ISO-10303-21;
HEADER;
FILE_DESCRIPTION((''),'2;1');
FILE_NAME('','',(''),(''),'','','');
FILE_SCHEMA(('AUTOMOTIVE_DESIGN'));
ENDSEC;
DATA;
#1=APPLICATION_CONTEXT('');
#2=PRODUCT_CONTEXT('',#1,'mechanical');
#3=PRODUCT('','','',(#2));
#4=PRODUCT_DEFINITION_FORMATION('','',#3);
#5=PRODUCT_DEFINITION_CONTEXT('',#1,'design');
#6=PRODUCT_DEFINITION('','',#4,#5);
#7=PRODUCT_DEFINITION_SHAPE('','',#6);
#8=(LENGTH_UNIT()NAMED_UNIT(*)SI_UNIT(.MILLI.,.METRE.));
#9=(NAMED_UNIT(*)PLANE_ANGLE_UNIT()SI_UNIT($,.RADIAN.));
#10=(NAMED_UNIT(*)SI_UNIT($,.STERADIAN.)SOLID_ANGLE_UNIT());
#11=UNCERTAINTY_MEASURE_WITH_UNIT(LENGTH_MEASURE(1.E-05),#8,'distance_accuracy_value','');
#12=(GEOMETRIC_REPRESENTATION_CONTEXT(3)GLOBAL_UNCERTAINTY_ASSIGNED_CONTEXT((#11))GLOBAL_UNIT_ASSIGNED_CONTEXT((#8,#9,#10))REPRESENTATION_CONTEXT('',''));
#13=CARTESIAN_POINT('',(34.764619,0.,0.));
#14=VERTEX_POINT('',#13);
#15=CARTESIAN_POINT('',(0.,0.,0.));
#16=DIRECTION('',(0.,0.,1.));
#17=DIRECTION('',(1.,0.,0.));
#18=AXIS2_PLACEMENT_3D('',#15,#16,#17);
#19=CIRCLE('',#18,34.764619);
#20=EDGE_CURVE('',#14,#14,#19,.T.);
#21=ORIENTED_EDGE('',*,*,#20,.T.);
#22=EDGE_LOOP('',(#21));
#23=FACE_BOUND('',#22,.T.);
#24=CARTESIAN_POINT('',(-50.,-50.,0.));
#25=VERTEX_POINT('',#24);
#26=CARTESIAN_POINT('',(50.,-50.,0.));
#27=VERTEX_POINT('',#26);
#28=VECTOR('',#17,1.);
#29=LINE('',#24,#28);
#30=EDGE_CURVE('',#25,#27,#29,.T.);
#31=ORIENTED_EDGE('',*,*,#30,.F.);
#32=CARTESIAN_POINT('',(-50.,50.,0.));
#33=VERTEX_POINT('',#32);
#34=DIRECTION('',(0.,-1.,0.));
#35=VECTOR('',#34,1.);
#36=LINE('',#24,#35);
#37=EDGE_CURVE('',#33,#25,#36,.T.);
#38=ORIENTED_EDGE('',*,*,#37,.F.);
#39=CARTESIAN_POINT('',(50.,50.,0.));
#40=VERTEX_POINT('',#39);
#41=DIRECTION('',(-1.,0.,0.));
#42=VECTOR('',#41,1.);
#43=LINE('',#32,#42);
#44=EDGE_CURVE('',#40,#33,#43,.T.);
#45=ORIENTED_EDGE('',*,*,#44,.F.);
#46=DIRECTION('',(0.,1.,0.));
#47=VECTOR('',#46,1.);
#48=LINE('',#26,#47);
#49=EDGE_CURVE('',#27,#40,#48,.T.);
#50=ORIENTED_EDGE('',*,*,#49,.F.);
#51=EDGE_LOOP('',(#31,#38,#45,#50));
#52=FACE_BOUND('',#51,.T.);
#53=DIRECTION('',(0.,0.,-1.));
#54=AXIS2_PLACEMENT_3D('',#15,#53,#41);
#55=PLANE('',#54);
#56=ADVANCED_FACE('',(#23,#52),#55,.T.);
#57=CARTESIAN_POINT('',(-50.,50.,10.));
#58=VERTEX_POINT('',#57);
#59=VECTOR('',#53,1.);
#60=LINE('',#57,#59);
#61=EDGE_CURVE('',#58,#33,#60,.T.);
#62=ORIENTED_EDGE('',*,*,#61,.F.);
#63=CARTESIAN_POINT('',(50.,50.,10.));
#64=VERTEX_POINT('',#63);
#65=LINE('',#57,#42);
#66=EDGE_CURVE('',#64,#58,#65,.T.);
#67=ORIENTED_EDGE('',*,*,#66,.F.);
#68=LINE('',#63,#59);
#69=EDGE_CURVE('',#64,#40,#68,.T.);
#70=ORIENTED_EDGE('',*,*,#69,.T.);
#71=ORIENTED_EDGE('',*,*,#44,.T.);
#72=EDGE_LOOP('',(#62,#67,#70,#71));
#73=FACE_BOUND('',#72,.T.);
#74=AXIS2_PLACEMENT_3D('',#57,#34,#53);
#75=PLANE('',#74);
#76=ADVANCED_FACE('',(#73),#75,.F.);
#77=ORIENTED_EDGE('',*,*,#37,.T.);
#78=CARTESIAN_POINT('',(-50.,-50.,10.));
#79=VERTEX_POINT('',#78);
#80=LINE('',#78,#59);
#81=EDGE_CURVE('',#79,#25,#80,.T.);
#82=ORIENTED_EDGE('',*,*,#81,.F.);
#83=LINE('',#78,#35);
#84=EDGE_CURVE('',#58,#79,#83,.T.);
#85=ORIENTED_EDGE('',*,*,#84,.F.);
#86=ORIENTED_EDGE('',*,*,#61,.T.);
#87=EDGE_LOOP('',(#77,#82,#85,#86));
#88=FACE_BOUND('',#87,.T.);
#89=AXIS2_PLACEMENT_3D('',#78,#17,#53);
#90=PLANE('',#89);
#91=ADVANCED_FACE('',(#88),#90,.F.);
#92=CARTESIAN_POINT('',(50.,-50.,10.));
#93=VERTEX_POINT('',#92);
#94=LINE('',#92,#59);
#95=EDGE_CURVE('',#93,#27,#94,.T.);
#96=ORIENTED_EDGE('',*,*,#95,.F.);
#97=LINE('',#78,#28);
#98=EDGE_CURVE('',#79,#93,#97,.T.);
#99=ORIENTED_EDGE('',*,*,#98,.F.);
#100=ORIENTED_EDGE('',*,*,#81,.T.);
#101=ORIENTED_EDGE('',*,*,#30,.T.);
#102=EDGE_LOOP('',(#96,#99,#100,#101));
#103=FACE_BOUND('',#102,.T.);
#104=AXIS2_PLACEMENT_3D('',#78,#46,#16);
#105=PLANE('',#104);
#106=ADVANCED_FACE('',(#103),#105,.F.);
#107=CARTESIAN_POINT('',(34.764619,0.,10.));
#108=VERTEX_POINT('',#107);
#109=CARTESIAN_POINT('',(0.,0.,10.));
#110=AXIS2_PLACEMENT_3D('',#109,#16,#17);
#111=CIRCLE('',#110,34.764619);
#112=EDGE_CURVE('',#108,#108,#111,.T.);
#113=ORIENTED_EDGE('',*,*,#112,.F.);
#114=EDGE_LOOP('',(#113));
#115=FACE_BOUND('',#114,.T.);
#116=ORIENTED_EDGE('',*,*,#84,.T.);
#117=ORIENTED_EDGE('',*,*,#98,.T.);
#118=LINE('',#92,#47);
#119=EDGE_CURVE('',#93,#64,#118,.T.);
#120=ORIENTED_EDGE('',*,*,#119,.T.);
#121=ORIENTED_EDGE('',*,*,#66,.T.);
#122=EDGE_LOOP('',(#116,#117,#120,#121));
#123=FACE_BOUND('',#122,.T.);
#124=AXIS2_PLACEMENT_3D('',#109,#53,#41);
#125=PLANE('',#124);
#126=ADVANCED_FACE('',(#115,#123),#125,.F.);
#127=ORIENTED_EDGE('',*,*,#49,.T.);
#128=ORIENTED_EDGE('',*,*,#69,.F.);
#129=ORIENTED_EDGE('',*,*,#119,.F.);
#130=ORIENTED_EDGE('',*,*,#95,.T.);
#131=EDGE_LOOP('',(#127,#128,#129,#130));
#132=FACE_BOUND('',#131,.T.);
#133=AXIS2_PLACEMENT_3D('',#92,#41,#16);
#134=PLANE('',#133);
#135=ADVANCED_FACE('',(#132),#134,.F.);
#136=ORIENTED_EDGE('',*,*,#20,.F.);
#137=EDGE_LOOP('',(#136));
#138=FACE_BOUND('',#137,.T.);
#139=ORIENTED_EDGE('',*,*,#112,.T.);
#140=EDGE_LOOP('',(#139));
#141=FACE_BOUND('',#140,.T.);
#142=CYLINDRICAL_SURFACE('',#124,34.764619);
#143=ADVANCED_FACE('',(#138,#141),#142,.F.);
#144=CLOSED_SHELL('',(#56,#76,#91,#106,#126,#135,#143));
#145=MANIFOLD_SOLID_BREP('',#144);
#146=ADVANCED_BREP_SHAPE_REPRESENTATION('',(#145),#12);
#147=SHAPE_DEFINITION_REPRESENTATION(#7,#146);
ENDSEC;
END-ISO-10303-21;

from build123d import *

# Parameters (mm, degrees)
SKETCH_1_W      = 100
SKETCH_1_H      = 100
SKETCH_1_R      = 34.764618621
EXTRUDE_1_DEPTH = 10


with BuildPart() as part:
    # 草图1 → 凸台-拉伸1 (new body)
    with BuildSketch(Plane.XY):
        Rectangle(SKETCH_1_W, SKETCH_1_H)
        Circle(SKETCH_1_R, mode=Mode.SUBTRACT)
    extrude(amount=EXTRUDE_1_DEPTH)


solid = part.part
